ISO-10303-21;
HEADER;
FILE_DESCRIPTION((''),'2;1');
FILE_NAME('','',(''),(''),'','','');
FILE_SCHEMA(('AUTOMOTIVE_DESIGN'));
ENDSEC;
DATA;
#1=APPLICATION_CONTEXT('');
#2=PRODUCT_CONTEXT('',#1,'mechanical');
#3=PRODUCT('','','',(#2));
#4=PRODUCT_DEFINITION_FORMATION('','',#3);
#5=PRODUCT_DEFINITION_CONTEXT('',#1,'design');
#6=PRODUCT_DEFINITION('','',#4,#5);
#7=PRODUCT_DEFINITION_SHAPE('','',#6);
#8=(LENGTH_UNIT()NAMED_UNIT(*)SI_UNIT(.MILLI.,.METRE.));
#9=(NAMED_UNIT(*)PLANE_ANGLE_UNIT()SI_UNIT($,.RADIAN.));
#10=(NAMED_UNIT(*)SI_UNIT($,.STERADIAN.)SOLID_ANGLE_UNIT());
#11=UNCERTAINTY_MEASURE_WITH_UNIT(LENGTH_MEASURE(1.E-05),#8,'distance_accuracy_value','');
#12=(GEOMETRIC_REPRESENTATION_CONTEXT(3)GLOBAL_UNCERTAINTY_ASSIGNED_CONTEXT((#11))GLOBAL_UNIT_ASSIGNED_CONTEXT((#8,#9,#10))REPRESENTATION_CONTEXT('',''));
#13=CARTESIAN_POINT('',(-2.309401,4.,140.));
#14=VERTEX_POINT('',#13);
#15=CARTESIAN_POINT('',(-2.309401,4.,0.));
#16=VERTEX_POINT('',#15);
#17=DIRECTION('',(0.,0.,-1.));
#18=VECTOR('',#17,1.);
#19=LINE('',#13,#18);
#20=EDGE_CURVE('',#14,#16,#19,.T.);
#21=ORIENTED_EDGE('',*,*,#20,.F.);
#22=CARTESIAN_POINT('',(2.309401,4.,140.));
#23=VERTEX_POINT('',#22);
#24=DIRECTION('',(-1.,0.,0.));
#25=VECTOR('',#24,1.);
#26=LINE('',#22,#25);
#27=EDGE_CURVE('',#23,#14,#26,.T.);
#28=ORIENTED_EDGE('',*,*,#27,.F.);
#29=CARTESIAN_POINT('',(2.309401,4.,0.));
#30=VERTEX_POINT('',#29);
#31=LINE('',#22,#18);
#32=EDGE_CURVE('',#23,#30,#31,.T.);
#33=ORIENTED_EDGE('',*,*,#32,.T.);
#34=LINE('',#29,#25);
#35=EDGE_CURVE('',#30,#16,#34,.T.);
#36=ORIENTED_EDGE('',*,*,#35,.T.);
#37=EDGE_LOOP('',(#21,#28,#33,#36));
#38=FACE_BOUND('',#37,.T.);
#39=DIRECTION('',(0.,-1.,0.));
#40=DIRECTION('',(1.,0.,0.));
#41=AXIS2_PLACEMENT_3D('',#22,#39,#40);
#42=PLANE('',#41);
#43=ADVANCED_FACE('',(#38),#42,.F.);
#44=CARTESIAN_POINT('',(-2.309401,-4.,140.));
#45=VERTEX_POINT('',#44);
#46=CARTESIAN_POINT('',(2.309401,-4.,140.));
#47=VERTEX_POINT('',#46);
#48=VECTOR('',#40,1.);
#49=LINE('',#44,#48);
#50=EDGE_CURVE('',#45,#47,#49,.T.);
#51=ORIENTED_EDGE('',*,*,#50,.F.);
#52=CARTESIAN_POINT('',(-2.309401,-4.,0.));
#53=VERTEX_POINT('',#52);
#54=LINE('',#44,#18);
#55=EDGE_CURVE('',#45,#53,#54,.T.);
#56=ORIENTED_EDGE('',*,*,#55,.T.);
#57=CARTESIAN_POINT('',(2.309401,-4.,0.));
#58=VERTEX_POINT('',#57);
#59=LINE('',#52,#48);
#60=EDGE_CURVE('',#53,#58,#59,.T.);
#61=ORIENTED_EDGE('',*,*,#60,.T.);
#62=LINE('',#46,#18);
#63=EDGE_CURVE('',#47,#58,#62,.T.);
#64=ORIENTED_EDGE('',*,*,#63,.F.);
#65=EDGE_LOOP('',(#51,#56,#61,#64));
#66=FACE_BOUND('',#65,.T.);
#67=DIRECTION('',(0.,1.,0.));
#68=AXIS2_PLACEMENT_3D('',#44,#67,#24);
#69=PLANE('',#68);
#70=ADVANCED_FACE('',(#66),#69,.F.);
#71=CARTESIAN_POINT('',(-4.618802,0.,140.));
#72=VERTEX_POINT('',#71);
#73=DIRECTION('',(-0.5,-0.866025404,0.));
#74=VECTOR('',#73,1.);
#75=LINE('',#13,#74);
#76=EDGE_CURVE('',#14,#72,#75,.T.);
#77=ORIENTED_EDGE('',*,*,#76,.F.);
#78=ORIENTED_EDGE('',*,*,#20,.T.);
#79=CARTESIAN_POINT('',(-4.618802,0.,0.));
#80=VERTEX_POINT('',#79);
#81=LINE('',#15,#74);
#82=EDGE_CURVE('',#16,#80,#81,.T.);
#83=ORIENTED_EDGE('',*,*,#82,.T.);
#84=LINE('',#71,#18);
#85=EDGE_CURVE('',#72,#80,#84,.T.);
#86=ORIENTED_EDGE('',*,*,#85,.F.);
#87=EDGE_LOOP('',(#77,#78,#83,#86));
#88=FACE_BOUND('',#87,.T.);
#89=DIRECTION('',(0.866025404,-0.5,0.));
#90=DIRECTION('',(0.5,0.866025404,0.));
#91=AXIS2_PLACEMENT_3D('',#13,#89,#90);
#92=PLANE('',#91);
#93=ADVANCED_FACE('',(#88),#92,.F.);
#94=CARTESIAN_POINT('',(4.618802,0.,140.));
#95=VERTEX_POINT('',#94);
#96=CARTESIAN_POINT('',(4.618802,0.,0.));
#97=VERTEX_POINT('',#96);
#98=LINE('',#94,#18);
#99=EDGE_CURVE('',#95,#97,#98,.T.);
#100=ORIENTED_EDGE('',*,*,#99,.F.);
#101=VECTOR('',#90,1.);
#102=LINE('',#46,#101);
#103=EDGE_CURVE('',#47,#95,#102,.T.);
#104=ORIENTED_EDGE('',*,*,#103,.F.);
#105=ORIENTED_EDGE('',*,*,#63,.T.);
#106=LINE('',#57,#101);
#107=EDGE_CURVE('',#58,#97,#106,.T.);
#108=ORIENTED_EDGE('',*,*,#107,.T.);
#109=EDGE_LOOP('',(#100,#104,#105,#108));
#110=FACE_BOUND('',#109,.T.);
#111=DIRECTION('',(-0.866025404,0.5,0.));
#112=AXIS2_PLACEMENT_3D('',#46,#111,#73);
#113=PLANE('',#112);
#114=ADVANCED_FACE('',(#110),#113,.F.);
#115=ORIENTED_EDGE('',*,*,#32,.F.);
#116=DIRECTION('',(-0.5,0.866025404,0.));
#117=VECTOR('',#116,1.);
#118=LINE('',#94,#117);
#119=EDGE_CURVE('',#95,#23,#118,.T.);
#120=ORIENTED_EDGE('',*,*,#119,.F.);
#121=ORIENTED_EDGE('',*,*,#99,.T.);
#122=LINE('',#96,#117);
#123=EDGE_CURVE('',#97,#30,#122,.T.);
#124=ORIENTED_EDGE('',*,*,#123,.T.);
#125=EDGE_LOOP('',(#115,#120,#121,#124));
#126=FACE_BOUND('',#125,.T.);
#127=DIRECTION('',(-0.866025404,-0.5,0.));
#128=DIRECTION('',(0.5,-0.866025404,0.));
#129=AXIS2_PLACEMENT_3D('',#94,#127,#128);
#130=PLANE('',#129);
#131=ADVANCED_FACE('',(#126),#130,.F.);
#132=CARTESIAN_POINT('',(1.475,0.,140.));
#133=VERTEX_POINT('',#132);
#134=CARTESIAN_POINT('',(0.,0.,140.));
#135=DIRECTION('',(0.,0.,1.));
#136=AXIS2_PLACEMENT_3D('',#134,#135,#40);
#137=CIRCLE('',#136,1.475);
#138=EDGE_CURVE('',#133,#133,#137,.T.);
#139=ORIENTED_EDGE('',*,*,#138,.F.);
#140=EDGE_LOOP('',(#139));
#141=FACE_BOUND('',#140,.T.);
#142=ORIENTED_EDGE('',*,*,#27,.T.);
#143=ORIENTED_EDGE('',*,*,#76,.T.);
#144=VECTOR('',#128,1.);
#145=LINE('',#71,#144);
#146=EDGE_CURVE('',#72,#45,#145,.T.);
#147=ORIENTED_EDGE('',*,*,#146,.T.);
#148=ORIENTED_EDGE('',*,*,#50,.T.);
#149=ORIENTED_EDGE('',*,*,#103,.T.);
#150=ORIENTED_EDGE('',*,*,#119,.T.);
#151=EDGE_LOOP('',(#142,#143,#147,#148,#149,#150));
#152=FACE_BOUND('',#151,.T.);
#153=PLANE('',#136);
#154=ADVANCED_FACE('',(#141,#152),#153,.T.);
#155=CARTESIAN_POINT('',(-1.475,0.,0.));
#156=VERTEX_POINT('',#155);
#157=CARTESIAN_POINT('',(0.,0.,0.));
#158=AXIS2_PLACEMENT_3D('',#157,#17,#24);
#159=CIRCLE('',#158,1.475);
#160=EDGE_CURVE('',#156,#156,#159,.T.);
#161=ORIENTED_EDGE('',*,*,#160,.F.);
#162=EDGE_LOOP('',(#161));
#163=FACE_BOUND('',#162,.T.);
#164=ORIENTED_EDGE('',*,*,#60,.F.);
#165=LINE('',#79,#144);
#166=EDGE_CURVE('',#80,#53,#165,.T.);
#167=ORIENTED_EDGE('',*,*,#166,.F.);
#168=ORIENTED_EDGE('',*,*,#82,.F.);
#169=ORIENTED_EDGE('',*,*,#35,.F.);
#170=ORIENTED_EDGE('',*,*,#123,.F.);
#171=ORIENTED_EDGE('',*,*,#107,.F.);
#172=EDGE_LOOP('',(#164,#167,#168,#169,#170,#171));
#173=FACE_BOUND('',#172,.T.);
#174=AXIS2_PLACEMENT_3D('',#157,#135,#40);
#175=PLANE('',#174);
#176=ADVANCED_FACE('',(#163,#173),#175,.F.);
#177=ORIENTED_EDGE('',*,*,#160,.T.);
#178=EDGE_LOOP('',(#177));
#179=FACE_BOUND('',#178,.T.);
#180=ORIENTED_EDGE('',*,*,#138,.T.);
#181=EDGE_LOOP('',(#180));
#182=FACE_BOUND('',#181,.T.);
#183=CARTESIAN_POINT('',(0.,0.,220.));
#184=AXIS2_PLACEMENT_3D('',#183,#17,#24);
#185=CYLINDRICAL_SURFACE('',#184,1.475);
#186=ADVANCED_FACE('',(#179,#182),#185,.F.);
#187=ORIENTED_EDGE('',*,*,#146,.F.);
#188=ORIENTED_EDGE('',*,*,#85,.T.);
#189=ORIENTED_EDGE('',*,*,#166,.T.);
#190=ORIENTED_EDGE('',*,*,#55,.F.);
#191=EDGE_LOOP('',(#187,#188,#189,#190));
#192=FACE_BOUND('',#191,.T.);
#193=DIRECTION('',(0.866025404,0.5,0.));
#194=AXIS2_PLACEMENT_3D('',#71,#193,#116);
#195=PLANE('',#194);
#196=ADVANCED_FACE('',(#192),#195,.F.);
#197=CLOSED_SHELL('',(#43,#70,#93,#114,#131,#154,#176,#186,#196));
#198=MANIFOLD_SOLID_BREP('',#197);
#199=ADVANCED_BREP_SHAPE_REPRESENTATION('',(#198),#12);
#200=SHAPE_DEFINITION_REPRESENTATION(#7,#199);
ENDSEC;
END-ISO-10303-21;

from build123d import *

# Parameters (mm, degrees)
BOSS_EXTRUDE1_DEPTH = 140
SKETCH2_R           = 1.475
CUT_EXTRUDE1_DEPTH  = 220


with BuildPart() as part:
    # Sketch1 → Boss-Extrude1 (new body)
    with BuildSketch(Plane.XY):
        Polygon((2.309401077, 4), (-2.309401077, 4), (-4.618802154, 0), (-2.309401077, -4), (2.309401077, -4), (4.618802154, 0), align=None)
    extrude(amount=BOSS_EXTRUDE1_DEPTH)

    # Sketch2 → Cut-Extrude1 (cut)
    with BuildSketch(Plane(origin=(0, 0, 0), x_dir=(-1, 0, 0), z_dir=(0, 0, -1))):
        Circle(SKETCH2_R)
    extrude(amount=-CUT_EXTRUDE1_DEPTH, mode=Mode.SUBTRACT)


solid = part.part
